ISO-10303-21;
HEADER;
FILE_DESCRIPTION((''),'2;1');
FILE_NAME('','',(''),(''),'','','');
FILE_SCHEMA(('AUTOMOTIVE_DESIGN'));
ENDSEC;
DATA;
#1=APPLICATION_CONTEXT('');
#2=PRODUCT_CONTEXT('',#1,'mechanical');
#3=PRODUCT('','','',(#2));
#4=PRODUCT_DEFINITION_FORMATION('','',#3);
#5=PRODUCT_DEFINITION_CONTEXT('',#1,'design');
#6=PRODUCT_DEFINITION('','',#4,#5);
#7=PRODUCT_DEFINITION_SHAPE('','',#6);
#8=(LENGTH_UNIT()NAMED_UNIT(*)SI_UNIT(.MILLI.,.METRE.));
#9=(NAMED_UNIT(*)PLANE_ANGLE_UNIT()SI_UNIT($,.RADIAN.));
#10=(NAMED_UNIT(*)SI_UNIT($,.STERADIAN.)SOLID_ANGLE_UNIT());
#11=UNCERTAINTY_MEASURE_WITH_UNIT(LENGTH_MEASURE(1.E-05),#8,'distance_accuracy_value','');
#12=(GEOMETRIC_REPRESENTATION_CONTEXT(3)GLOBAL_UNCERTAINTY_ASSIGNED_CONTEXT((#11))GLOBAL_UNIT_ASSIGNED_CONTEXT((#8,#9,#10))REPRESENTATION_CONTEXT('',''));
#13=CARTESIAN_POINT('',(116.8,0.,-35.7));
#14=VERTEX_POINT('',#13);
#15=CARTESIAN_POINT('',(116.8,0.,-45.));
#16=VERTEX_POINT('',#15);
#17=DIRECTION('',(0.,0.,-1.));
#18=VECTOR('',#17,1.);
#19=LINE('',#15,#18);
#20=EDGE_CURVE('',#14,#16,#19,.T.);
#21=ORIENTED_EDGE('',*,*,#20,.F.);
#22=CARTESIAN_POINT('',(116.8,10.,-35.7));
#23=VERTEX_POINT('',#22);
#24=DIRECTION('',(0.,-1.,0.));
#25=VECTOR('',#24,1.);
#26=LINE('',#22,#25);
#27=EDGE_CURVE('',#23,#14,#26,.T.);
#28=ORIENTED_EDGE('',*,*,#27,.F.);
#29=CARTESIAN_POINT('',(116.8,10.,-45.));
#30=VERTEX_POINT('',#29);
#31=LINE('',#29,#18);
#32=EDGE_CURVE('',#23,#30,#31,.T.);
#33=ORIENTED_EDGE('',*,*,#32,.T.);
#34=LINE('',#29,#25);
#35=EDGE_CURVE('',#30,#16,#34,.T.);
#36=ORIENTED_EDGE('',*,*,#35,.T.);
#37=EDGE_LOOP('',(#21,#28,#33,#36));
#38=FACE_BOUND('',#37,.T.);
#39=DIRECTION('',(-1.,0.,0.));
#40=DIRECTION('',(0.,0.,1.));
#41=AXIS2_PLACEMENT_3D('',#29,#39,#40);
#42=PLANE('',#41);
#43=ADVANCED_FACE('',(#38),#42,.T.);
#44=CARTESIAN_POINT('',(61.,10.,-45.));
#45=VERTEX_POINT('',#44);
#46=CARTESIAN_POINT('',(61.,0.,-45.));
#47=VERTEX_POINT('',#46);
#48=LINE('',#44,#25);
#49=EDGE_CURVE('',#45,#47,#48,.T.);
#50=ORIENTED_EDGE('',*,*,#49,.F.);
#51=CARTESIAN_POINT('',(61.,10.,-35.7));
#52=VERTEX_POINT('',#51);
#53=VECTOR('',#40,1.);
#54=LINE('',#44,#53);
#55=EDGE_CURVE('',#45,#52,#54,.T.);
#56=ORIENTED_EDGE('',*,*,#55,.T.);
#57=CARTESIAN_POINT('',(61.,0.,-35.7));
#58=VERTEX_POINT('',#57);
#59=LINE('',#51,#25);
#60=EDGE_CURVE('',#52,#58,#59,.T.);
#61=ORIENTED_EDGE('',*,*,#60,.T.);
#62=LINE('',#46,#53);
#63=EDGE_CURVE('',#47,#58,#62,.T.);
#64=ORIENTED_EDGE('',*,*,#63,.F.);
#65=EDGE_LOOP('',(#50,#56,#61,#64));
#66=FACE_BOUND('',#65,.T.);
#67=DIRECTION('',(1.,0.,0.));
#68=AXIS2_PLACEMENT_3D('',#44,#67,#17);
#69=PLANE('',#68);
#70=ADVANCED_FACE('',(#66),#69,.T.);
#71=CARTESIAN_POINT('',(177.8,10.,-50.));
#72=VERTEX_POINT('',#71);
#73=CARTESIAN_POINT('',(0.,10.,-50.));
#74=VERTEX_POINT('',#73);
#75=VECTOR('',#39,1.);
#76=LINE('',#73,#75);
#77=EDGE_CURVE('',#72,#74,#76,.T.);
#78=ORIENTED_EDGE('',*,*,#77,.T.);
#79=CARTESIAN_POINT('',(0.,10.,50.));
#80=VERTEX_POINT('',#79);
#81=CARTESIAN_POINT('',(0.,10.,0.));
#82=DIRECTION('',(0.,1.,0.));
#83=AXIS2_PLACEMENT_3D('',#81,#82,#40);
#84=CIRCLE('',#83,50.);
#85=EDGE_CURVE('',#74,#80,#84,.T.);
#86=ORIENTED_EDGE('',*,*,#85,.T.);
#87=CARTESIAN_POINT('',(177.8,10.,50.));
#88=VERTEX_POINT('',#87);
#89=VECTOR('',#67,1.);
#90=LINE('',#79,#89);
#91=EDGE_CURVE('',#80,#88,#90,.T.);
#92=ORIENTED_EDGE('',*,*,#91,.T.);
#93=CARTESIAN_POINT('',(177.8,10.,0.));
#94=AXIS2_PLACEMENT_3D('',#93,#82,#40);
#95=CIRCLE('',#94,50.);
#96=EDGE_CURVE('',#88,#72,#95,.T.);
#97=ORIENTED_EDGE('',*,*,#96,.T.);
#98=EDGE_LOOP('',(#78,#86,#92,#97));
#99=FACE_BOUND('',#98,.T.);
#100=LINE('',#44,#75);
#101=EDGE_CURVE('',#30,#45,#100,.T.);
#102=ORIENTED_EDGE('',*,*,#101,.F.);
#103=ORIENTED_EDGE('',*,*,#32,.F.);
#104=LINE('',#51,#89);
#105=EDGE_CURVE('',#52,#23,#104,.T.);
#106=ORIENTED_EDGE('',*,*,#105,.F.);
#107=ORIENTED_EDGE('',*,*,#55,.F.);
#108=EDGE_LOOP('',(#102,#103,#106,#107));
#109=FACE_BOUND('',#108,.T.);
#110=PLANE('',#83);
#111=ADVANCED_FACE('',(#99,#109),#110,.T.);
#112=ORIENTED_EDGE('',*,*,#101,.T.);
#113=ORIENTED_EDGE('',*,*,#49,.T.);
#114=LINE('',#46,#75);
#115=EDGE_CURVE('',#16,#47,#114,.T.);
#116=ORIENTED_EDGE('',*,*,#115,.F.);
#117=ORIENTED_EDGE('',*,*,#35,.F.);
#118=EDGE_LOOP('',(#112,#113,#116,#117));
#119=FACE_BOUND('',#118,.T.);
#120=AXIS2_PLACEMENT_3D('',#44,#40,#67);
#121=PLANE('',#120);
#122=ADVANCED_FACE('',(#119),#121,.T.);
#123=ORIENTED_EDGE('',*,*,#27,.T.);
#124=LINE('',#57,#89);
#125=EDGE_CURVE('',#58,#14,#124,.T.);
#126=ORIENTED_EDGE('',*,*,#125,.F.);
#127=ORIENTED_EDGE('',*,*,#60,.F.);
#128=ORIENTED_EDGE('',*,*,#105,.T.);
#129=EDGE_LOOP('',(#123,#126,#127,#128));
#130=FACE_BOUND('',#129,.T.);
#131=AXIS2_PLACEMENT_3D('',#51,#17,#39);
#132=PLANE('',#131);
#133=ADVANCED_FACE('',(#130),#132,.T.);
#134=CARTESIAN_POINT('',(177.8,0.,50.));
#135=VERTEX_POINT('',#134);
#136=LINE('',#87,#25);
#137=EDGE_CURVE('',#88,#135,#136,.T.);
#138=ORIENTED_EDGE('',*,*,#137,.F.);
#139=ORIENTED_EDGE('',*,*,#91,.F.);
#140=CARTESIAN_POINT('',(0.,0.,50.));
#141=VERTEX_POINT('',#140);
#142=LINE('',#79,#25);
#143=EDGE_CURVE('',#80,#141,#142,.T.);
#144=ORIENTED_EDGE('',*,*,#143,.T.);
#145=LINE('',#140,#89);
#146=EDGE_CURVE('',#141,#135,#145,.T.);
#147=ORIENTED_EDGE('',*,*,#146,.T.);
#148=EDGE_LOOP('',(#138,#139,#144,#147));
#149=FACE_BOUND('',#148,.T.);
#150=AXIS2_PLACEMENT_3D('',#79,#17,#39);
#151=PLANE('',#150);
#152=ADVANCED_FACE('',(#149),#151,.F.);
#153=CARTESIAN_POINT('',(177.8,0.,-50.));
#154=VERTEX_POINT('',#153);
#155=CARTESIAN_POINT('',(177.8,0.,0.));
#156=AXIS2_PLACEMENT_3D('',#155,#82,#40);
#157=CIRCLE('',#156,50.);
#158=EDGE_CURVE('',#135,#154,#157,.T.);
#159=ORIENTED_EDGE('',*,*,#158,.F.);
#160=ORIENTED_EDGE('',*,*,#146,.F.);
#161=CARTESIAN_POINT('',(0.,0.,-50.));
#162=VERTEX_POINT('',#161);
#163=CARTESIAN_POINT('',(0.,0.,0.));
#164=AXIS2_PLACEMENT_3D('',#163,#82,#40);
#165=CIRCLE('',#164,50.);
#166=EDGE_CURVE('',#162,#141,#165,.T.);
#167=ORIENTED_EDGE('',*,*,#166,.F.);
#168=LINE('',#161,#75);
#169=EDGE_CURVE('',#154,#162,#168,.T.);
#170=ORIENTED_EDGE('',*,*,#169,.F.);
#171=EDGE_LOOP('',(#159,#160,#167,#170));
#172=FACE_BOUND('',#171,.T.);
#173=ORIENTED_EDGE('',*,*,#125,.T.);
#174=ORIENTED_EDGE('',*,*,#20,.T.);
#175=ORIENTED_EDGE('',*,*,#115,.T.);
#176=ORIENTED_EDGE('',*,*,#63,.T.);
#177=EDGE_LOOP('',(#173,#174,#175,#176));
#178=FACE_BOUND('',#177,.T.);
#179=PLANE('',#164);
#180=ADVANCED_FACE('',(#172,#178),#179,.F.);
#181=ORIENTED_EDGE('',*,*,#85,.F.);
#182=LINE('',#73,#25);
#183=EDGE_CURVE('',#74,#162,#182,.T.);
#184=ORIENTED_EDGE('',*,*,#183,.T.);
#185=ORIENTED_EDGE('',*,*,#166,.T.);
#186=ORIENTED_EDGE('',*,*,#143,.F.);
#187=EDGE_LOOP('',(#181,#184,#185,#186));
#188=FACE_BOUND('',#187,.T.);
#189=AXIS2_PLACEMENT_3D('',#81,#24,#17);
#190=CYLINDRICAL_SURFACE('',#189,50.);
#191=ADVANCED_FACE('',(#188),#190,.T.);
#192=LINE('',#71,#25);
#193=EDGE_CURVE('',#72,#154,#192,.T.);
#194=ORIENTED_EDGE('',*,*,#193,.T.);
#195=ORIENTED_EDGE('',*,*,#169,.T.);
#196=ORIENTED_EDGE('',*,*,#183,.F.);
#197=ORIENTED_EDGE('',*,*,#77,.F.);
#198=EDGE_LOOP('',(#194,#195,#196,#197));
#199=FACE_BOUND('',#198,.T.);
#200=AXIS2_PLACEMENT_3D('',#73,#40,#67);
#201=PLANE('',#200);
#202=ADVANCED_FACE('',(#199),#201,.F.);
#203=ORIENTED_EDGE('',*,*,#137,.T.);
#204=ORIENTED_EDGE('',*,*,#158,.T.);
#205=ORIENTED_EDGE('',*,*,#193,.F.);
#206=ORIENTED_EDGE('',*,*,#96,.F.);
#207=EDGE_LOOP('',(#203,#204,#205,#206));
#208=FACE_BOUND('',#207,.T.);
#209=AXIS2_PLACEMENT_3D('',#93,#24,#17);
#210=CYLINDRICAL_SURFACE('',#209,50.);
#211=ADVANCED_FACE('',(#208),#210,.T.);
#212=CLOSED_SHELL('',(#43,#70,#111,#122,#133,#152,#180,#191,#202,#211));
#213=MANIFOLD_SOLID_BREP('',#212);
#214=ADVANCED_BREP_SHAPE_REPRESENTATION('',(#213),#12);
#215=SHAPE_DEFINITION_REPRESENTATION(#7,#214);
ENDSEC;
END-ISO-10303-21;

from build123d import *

# Parameters (mm, degrees)
SKETCH1_W           = 55.8
SKETCH1_H           = 9.3
BOSS_EXTRUDE1_DEPTH = 10


with BuildPart() as part:
    # Sketch1 → Boss-Extrude1 (new body)
    with BuildSketch(Plane(origin=(0, 0, 0), x_dir=(1, 0, 0), z_dir=(0, 1, 0))):
        with BuildLine():
            Line((0, 50), (177.8, 50))
            ThreePointArc((177.8, 50), (227.8, 0), (177.8, -50))
            Line((177.8, -50), (0, -50))
            ThreePointArc((0, -50), (-50, 0), (0, 50))
        make_face()
        with Locations((88.9, 40.35)):
            Rectangle(SKETCH1_W, SKETCH1_H, mode=Mode.SUBTRACT)
    extrude(amount=BOSS_EXTRUDE1_DEPTH)


solid = part.part
